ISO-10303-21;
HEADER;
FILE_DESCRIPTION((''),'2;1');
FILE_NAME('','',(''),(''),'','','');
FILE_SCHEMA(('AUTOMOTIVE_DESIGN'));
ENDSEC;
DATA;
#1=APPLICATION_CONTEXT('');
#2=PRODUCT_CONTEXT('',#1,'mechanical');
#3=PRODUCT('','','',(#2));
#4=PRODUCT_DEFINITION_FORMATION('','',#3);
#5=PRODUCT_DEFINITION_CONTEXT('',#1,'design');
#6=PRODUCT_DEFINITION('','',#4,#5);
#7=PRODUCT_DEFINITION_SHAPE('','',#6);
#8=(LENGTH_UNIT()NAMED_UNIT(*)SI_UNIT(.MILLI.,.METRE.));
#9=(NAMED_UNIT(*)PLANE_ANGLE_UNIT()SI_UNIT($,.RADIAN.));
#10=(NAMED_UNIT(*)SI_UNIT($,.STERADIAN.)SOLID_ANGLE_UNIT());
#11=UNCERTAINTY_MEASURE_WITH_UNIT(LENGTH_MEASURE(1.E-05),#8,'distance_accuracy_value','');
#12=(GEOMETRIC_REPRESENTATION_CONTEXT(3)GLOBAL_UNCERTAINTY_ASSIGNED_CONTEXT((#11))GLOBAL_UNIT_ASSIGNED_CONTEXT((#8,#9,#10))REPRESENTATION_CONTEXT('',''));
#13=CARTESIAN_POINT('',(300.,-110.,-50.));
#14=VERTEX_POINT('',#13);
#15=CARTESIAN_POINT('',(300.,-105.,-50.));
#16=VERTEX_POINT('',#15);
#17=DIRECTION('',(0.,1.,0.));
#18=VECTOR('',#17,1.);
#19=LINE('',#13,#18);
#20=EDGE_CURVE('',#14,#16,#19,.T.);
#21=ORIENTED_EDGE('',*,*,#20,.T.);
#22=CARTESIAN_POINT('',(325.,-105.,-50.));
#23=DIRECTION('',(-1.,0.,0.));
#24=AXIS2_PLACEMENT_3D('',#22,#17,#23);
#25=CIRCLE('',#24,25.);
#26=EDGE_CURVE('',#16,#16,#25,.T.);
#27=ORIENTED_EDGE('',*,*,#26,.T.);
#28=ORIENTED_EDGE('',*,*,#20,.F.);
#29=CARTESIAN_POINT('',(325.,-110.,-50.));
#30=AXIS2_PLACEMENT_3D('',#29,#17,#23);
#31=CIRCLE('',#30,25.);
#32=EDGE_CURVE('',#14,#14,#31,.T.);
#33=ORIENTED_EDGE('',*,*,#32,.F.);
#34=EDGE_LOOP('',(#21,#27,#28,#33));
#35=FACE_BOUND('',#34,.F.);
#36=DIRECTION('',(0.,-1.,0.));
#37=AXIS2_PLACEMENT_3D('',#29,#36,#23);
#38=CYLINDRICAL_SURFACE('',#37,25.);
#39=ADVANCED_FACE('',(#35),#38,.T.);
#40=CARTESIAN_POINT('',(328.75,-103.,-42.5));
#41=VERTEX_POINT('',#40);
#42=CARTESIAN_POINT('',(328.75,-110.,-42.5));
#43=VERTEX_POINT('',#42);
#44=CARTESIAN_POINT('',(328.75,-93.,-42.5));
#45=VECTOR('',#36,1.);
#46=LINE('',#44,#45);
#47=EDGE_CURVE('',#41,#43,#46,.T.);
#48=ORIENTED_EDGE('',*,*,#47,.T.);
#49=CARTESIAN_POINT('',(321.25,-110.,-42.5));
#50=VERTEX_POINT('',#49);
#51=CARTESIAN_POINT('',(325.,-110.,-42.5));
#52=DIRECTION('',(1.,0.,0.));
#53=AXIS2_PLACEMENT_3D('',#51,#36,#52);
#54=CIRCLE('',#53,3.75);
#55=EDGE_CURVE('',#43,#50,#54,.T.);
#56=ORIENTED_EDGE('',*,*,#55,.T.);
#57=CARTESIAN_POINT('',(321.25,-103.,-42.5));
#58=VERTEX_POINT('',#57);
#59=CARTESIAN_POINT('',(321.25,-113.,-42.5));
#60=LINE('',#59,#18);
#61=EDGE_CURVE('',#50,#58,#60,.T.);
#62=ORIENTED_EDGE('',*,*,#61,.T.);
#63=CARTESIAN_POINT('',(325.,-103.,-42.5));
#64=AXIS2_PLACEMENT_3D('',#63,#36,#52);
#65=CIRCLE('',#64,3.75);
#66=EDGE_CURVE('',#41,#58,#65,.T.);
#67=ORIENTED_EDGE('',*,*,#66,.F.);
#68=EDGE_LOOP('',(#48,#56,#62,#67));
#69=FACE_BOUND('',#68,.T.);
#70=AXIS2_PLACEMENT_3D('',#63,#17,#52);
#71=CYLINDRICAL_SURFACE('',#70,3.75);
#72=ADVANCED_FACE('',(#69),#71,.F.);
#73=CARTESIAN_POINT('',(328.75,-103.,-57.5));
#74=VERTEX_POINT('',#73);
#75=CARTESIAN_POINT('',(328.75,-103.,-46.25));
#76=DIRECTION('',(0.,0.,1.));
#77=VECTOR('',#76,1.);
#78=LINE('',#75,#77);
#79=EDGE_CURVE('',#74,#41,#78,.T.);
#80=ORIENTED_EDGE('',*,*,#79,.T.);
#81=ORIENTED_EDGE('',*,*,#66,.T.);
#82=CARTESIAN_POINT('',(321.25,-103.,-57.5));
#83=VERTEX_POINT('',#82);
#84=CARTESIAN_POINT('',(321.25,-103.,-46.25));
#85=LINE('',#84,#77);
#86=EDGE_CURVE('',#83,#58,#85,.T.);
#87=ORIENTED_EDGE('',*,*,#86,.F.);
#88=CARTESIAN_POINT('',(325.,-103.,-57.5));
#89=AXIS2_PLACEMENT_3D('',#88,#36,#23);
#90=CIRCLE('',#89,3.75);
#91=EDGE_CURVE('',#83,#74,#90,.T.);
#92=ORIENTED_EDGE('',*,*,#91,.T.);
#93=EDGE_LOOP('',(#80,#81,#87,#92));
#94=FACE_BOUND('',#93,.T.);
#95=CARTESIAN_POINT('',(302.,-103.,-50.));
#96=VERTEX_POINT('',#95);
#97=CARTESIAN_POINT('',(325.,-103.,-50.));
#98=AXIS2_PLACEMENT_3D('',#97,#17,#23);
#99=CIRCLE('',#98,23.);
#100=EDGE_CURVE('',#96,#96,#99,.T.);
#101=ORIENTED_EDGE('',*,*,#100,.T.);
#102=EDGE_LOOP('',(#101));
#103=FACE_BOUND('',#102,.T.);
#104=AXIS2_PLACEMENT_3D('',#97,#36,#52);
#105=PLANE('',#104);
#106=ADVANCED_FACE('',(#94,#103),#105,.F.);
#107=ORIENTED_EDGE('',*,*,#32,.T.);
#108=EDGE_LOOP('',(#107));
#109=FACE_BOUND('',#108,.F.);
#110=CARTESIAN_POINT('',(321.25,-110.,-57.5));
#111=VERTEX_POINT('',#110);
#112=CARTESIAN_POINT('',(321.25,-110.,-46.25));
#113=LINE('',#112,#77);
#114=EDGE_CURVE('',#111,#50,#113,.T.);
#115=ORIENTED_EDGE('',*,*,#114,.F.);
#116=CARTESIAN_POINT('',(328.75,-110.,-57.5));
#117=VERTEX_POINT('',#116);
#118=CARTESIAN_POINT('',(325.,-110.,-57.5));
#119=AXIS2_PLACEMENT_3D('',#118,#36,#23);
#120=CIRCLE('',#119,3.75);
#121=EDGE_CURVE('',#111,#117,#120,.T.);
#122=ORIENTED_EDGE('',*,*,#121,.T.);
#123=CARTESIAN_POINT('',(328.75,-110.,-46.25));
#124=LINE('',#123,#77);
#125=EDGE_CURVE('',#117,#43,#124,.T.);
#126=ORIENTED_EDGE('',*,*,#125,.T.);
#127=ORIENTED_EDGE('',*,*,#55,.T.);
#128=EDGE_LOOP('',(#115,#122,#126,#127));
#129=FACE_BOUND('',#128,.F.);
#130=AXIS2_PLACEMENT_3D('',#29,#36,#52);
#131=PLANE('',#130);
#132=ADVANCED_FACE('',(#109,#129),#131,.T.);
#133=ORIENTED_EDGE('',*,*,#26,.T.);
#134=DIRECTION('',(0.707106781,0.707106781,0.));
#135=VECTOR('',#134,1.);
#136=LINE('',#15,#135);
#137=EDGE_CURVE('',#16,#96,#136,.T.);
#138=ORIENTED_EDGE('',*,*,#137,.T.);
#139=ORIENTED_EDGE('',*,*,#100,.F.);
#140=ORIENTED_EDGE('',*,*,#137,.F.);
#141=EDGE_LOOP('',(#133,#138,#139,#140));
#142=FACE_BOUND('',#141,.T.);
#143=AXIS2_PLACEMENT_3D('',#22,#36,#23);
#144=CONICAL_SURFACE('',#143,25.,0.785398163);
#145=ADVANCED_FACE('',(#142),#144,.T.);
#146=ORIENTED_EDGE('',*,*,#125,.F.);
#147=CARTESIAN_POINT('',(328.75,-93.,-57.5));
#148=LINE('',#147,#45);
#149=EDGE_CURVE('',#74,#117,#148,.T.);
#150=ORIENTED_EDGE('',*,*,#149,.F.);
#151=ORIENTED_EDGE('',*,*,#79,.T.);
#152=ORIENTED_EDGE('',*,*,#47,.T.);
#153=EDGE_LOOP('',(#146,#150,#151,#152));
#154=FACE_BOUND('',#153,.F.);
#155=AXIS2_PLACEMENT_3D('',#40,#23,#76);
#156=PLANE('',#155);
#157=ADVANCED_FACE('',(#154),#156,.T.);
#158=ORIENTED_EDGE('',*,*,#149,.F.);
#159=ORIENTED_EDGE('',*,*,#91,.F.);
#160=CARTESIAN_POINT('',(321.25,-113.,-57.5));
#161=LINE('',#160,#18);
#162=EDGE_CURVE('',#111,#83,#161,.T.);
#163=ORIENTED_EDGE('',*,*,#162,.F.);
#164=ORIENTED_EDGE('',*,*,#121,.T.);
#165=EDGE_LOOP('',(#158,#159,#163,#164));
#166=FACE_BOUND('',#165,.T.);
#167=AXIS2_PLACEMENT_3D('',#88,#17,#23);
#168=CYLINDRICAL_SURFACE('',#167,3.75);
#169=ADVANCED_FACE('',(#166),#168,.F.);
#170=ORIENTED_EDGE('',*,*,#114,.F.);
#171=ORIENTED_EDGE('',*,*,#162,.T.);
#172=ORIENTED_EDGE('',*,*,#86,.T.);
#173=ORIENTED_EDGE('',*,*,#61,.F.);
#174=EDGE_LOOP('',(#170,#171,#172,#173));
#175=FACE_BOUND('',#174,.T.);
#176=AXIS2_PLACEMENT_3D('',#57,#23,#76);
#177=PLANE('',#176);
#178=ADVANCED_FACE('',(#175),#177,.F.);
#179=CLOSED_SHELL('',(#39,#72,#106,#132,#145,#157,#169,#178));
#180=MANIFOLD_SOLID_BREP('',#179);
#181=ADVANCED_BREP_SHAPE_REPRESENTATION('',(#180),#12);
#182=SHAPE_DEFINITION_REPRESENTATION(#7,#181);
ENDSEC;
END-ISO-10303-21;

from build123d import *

# Parameters (mm, degrees)
EXTRUDE020_DEPTH = 10
CIRCLE002_R      = 25
EXTRUDE019_DEPTH = 7
CHAMFER002_SIZE  = 2


with BuildPart() as extrude020:
    # Sketch030 (on Face4 of Chamfer002) → Extrude020 (new body, symmetric)
    with BuildSketch(Plane(origin=(0, 7, 0), x_dir=(-1, 0, 0), z_dir=(0, 1, 0))):
        with BuildLine():
            ThreePointArc((3.75, 7.5), (0, 11.25), (-3.75, 7.5))
            Line((-3.75, 7.5), (-3.75, -7.5))
            ThreePointArc((-3.75, -7.5), (0, -11.25), (3.75, -7.5))
            Line((3.75, 7.5), (3.75, -7.5))
        make_face()
    extrude(amount=EXTRUDE020_DEPTH, both=True)


with BuildPart() as shutters_lock_right_internal:
    # Circle002 → Extrude019 (new body)
    with BuildSketch(Plane.XZ):
        Circle(CIRCLE002_R)
    extrude(amount=-EXTRUDE019_DEPTH)

    # Chamfer002
    chamfer002_edges = [shutters_lock_right_internal.edges().sort_by_distance(p)[0] for p in [
        (-25, 7, 0),
    ]]
    chamfer(chamfer002_edges, length=CHAMFER002_SIZE)

    # Cut004: cut Extrude020
    add(extrude020.part, mode=Mode.SUBTRACT)


with BuildPart() as shutters_lock_right_internal_1:
    # Cut004 placement: moved
    add(shutters_lock_right_internal.part.moved(Location((0, 0, -83.343755))))


with BuildPart() as shutters_lock_right_internal_2:
    # Clone048 placement: moved
    add(shutters_lock_right_internal_1.part.moved(Location((-325, -110, 33.343755))))


with BuildPart() as shutters_lock_left_internal_mirrored:
    # Mirror179: instance of Shutters_lock_right_internal_
    add(shutters_lock_right_internal_2.part.mirror(Plane(origin=(0, 0, 0), x_dir=(0, -1, 0), z_dir=(1, 0, 0))))


solid = shutters_lock_left_internal_mirrored.part
